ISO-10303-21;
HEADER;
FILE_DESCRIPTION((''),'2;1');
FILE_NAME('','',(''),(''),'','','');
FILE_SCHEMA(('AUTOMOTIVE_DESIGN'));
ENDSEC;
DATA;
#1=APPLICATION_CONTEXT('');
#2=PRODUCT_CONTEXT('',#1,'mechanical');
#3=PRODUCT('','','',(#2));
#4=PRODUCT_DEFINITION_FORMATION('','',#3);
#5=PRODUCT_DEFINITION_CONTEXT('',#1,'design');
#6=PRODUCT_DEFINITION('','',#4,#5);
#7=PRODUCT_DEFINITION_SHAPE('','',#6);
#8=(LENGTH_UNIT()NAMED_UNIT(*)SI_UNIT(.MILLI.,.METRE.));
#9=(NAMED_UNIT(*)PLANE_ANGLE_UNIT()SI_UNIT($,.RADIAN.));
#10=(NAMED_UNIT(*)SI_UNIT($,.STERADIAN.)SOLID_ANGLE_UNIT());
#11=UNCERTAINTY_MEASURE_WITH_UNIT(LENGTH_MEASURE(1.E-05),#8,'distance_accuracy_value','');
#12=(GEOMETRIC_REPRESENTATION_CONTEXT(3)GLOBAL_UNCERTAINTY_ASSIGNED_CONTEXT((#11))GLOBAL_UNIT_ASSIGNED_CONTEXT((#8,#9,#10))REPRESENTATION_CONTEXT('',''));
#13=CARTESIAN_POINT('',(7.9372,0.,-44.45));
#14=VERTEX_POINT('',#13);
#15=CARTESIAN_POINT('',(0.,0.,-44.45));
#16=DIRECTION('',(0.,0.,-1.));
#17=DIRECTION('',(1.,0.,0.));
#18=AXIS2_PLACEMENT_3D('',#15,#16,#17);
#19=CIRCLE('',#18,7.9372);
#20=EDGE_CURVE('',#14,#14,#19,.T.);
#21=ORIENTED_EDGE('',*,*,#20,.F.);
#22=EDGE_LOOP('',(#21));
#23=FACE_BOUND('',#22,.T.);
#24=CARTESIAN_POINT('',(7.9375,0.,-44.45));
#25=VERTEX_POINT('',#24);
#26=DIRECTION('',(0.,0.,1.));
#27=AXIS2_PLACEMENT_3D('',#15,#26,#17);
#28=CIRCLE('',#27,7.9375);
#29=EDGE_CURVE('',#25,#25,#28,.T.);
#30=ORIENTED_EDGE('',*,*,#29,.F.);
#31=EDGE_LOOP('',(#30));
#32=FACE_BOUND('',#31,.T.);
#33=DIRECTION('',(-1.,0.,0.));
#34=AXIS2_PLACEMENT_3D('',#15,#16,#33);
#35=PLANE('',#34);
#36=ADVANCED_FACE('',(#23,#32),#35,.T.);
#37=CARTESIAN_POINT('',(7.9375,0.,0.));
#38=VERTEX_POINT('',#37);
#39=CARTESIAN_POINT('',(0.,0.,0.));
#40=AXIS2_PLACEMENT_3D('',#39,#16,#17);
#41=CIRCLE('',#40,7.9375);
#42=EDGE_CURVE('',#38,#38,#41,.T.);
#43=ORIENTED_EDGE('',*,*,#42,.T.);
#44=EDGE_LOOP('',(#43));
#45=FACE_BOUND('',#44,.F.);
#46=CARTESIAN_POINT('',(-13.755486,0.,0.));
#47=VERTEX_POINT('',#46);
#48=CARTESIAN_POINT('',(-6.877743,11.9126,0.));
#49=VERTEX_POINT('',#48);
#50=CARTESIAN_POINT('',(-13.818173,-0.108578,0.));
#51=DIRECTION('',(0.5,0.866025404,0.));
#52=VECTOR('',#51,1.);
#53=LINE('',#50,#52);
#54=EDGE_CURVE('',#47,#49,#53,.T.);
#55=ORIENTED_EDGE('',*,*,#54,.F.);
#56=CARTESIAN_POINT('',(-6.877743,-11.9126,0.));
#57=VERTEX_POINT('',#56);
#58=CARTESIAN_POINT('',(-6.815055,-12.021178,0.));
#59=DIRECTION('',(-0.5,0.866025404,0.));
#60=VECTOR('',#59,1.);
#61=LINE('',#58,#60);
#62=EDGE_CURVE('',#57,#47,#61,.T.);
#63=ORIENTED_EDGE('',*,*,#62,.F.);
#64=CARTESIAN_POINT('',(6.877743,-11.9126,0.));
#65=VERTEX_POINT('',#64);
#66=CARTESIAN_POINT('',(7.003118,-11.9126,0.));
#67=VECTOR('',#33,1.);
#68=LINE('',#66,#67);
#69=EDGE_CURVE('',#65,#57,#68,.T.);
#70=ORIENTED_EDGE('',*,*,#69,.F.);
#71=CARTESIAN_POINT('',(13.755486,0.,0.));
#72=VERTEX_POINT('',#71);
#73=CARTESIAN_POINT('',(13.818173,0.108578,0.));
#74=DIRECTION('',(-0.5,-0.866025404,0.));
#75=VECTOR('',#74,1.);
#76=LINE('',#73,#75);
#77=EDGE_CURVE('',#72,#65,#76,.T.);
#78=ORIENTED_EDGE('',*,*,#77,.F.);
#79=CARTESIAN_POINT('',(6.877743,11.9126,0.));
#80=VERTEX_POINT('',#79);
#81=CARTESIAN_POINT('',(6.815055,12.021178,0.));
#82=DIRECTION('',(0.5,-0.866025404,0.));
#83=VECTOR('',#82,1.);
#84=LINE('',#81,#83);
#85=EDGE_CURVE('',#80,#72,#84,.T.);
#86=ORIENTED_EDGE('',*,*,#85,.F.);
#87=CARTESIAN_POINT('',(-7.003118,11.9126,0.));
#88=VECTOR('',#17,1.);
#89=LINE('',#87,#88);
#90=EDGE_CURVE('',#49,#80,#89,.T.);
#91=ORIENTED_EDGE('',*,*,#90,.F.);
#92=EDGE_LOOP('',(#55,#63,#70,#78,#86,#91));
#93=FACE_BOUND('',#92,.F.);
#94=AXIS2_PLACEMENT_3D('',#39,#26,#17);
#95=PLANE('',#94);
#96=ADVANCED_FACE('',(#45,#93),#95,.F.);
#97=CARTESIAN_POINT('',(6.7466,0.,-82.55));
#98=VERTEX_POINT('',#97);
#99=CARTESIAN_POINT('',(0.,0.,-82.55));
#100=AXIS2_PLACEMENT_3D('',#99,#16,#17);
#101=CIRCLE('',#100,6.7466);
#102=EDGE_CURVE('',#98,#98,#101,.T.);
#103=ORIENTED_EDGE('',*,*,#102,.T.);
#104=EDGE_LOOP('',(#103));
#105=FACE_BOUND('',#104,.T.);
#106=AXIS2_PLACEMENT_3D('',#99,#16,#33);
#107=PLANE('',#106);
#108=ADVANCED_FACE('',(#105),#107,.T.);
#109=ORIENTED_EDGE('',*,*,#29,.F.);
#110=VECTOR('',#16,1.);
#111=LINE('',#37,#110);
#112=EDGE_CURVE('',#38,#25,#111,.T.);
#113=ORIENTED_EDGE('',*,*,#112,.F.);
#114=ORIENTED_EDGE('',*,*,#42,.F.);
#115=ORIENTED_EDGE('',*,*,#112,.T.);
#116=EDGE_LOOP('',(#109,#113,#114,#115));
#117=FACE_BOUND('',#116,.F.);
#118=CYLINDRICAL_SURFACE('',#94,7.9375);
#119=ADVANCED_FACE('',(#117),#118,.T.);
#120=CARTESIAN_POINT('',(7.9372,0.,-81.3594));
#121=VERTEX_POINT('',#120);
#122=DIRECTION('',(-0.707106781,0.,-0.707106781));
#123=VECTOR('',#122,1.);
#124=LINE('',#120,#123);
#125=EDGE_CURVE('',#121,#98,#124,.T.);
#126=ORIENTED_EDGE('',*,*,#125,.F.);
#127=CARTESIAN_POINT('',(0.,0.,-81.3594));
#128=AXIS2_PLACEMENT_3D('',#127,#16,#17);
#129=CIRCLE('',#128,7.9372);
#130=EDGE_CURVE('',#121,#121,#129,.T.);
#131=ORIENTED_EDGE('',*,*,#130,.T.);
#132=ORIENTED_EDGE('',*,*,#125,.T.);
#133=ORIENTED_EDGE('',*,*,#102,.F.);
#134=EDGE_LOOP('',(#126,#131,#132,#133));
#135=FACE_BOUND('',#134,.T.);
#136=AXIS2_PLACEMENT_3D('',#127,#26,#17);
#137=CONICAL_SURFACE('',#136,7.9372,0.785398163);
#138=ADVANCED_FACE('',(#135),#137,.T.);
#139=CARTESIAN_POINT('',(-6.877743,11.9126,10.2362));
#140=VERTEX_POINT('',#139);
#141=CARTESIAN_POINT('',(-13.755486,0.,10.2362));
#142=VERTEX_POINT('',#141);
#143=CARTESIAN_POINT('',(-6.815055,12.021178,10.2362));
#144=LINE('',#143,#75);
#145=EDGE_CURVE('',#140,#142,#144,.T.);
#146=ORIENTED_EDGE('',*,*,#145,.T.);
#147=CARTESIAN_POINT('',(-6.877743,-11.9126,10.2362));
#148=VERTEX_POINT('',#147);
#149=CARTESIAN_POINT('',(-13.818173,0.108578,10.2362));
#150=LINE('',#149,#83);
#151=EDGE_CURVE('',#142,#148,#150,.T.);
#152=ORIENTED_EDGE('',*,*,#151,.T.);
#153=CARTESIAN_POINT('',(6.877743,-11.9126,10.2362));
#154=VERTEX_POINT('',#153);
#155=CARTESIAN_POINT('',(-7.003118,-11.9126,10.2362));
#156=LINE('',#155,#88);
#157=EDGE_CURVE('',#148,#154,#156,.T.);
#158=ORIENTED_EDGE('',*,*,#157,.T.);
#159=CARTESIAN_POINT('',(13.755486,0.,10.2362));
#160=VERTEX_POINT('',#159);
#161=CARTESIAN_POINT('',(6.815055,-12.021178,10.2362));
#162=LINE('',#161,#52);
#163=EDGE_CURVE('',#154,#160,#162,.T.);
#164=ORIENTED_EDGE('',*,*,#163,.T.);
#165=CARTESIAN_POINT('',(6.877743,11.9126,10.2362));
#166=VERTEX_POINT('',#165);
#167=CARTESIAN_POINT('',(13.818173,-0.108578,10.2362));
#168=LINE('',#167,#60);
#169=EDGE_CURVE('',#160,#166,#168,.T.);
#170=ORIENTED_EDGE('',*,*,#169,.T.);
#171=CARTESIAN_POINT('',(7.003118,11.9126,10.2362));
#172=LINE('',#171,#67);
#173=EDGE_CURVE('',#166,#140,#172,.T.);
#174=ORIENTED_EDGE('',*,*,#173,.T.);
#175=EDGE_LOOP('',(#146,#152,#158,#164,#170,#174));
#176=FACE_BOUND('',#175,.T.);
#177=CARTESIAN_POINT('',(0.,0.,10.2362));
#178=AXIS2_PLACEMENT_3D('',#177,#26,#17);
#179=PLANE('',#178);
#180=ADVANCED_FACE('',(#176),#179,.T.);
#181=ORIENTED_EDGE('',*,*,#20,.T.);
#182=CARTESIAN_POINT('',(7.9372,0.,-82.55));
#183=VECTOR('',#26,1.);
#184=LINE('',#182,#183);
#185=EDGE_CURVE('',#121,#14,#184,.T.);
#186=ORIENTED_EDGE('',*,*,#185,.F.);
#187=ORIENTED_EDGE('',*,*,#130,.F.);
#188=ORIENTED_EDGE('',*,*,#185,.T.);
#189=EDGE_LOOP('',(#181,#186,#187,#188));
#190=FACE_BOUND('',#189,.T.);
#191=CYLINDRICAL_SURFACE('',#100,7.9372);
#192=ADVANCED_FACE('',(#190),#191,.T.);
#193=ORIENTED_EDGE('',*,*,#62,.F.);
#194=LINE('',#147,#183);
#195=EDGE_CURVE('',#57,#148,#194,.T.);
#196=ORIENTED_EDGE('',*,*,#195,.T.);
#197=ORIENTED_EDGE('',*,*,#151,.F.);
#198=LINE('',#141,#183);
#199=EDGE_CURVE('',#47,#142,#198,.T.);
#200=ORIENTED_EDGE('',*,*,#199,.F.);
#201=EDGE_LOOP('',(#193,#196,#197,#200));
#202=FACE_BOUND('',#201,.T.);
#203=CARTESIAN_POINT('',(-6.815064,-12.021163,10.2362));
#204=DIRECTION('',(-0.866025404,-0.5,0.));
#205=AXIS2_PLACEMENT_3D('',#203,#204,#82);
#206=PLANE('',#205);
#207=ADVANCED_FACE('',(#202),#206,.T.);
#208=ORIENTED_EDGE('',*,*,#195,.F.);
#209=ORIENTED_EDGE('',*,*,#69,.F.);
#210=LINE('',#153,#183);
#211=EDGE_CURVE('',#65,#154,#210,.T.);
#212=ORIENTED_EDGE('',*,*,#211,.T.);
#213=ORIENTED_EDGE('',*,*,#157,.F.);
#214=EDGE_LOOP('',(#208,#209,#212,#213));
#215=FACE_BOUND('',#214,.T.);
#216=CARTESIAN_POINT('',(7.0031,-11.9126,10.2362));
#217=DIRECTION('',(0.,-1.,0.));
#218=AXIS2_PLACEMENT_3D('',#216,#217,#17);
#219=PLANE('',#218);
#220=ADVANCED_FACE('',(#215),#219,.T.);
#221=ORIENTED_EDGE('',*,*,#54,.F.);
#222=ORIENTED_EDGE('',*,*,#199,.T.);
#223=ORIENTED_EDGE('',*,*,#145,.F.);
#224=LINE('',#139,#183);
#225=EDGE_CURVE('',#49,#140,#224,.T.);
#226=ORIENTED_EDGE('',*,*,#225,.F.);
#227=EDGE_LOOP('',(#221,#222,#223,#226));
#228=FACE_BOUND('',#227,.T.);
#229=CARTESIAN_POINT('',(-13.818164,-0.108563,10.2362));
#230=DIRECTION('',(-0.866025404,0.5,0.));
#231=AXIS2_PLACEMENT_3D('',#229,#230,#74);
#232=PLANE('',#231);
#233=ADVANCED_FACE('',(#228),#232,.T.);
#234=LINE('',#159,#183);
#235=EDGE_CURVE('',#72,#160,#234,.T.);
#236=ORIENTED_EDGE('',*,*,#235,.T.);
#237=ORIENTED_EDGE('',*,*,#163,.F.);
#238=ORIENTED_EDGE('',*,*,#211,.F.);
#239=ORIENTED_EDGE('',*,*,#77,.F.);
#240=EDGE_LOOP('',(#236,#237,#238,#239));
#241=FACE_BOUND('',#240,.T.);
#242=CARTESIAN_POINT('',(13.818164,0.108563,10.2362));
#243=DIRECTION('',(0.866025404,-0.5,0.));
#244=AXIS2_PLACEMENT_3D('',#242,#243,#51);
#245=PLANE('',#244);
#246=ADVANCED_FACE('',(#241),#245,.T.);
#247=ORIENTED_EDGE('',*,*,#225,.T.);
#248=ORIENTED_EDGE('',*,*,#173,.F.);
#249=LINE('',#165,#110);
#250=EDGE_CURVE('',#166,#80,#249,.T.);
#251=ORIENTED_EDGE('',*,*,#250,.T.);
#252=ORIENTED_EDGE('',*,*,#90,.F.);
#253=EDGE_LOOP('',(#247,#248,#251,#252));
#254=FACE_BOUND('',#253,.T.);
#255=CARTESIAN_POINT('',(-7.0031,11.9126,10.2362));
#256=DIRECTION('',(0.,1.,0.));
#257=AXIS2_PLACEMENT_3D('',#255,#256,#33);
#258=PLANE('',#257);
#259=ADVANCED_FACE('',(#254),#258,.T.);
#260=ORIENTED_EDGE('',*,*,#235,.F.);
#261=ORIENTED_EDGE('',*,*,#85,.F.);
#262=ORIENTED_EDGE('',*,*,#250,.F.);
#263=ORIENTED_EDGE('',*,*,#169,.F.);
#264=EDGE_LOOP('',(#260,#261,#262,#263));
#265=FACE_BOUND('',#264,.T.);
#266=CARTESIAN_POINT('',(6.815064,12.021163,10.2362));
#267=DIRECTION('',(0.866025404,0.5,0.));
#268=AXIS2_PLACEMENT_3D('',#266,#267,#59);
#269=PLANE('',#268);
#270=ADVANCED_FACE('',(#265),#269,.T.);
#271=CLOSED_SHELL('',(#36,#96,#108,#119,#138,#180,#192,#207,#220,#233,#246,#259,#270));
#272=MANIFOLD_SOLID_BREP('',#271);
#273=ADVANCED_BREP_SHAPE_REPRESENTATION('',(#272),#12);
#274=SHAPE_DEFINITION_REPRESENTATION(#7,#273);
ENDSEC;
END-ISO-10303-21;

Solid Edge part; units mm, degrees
sketch "Sketch1" plane through (0, 0, 0) normal (0, 0, 1) x (1, 0, 0)
  circle A0 centre (0, 0) radius 13.8186
  dimension "D1" = 27.6372
extrude "Protrusion1" add sketch "Sketch1" along normal blind 10.2362
sketch "Sketch2" plane through (0, 0, 0) normal (0, 0, -1) x (1, 0, 0)
  circle A0 centre (0, 0) radius 7.9375
extrude "Protrusion2" add sketch "Sketch2" along normal blind 82.55
sketch "Sketch3" plane through (0, 0, -82.55) normal (0, 0, -1) x (1, 0, 0)
  circle A0 centre (0, 0) radius 7.9372
extrude "Cutout1" cut sketch "Sketch3" against normal blind 38.1 flip side to cut
chamfer "Chamfer_1" distance 1.1906 angle 45 1 edges at (-7.9372, 0, -82.55)
sketch "Sketch4" plane through (0, 0, 10.2362) normal (0, 0, 1) x (1, 0, 0)
  line L0 (-7.0031, 11.9126) -> (7.0031, 11.9126)
  dimension "D1" = 23.8252
extrude "Cutout2" cut sketch "Sketch4" against normal up to next material side at (0, 11.9626, 10.2362)
pattern_circular "Pattern1" count 6 over 360 about axis through (0, 0, 10.2362) along (0, 0, 1) of "Cutout2"
properties part number "185539"
